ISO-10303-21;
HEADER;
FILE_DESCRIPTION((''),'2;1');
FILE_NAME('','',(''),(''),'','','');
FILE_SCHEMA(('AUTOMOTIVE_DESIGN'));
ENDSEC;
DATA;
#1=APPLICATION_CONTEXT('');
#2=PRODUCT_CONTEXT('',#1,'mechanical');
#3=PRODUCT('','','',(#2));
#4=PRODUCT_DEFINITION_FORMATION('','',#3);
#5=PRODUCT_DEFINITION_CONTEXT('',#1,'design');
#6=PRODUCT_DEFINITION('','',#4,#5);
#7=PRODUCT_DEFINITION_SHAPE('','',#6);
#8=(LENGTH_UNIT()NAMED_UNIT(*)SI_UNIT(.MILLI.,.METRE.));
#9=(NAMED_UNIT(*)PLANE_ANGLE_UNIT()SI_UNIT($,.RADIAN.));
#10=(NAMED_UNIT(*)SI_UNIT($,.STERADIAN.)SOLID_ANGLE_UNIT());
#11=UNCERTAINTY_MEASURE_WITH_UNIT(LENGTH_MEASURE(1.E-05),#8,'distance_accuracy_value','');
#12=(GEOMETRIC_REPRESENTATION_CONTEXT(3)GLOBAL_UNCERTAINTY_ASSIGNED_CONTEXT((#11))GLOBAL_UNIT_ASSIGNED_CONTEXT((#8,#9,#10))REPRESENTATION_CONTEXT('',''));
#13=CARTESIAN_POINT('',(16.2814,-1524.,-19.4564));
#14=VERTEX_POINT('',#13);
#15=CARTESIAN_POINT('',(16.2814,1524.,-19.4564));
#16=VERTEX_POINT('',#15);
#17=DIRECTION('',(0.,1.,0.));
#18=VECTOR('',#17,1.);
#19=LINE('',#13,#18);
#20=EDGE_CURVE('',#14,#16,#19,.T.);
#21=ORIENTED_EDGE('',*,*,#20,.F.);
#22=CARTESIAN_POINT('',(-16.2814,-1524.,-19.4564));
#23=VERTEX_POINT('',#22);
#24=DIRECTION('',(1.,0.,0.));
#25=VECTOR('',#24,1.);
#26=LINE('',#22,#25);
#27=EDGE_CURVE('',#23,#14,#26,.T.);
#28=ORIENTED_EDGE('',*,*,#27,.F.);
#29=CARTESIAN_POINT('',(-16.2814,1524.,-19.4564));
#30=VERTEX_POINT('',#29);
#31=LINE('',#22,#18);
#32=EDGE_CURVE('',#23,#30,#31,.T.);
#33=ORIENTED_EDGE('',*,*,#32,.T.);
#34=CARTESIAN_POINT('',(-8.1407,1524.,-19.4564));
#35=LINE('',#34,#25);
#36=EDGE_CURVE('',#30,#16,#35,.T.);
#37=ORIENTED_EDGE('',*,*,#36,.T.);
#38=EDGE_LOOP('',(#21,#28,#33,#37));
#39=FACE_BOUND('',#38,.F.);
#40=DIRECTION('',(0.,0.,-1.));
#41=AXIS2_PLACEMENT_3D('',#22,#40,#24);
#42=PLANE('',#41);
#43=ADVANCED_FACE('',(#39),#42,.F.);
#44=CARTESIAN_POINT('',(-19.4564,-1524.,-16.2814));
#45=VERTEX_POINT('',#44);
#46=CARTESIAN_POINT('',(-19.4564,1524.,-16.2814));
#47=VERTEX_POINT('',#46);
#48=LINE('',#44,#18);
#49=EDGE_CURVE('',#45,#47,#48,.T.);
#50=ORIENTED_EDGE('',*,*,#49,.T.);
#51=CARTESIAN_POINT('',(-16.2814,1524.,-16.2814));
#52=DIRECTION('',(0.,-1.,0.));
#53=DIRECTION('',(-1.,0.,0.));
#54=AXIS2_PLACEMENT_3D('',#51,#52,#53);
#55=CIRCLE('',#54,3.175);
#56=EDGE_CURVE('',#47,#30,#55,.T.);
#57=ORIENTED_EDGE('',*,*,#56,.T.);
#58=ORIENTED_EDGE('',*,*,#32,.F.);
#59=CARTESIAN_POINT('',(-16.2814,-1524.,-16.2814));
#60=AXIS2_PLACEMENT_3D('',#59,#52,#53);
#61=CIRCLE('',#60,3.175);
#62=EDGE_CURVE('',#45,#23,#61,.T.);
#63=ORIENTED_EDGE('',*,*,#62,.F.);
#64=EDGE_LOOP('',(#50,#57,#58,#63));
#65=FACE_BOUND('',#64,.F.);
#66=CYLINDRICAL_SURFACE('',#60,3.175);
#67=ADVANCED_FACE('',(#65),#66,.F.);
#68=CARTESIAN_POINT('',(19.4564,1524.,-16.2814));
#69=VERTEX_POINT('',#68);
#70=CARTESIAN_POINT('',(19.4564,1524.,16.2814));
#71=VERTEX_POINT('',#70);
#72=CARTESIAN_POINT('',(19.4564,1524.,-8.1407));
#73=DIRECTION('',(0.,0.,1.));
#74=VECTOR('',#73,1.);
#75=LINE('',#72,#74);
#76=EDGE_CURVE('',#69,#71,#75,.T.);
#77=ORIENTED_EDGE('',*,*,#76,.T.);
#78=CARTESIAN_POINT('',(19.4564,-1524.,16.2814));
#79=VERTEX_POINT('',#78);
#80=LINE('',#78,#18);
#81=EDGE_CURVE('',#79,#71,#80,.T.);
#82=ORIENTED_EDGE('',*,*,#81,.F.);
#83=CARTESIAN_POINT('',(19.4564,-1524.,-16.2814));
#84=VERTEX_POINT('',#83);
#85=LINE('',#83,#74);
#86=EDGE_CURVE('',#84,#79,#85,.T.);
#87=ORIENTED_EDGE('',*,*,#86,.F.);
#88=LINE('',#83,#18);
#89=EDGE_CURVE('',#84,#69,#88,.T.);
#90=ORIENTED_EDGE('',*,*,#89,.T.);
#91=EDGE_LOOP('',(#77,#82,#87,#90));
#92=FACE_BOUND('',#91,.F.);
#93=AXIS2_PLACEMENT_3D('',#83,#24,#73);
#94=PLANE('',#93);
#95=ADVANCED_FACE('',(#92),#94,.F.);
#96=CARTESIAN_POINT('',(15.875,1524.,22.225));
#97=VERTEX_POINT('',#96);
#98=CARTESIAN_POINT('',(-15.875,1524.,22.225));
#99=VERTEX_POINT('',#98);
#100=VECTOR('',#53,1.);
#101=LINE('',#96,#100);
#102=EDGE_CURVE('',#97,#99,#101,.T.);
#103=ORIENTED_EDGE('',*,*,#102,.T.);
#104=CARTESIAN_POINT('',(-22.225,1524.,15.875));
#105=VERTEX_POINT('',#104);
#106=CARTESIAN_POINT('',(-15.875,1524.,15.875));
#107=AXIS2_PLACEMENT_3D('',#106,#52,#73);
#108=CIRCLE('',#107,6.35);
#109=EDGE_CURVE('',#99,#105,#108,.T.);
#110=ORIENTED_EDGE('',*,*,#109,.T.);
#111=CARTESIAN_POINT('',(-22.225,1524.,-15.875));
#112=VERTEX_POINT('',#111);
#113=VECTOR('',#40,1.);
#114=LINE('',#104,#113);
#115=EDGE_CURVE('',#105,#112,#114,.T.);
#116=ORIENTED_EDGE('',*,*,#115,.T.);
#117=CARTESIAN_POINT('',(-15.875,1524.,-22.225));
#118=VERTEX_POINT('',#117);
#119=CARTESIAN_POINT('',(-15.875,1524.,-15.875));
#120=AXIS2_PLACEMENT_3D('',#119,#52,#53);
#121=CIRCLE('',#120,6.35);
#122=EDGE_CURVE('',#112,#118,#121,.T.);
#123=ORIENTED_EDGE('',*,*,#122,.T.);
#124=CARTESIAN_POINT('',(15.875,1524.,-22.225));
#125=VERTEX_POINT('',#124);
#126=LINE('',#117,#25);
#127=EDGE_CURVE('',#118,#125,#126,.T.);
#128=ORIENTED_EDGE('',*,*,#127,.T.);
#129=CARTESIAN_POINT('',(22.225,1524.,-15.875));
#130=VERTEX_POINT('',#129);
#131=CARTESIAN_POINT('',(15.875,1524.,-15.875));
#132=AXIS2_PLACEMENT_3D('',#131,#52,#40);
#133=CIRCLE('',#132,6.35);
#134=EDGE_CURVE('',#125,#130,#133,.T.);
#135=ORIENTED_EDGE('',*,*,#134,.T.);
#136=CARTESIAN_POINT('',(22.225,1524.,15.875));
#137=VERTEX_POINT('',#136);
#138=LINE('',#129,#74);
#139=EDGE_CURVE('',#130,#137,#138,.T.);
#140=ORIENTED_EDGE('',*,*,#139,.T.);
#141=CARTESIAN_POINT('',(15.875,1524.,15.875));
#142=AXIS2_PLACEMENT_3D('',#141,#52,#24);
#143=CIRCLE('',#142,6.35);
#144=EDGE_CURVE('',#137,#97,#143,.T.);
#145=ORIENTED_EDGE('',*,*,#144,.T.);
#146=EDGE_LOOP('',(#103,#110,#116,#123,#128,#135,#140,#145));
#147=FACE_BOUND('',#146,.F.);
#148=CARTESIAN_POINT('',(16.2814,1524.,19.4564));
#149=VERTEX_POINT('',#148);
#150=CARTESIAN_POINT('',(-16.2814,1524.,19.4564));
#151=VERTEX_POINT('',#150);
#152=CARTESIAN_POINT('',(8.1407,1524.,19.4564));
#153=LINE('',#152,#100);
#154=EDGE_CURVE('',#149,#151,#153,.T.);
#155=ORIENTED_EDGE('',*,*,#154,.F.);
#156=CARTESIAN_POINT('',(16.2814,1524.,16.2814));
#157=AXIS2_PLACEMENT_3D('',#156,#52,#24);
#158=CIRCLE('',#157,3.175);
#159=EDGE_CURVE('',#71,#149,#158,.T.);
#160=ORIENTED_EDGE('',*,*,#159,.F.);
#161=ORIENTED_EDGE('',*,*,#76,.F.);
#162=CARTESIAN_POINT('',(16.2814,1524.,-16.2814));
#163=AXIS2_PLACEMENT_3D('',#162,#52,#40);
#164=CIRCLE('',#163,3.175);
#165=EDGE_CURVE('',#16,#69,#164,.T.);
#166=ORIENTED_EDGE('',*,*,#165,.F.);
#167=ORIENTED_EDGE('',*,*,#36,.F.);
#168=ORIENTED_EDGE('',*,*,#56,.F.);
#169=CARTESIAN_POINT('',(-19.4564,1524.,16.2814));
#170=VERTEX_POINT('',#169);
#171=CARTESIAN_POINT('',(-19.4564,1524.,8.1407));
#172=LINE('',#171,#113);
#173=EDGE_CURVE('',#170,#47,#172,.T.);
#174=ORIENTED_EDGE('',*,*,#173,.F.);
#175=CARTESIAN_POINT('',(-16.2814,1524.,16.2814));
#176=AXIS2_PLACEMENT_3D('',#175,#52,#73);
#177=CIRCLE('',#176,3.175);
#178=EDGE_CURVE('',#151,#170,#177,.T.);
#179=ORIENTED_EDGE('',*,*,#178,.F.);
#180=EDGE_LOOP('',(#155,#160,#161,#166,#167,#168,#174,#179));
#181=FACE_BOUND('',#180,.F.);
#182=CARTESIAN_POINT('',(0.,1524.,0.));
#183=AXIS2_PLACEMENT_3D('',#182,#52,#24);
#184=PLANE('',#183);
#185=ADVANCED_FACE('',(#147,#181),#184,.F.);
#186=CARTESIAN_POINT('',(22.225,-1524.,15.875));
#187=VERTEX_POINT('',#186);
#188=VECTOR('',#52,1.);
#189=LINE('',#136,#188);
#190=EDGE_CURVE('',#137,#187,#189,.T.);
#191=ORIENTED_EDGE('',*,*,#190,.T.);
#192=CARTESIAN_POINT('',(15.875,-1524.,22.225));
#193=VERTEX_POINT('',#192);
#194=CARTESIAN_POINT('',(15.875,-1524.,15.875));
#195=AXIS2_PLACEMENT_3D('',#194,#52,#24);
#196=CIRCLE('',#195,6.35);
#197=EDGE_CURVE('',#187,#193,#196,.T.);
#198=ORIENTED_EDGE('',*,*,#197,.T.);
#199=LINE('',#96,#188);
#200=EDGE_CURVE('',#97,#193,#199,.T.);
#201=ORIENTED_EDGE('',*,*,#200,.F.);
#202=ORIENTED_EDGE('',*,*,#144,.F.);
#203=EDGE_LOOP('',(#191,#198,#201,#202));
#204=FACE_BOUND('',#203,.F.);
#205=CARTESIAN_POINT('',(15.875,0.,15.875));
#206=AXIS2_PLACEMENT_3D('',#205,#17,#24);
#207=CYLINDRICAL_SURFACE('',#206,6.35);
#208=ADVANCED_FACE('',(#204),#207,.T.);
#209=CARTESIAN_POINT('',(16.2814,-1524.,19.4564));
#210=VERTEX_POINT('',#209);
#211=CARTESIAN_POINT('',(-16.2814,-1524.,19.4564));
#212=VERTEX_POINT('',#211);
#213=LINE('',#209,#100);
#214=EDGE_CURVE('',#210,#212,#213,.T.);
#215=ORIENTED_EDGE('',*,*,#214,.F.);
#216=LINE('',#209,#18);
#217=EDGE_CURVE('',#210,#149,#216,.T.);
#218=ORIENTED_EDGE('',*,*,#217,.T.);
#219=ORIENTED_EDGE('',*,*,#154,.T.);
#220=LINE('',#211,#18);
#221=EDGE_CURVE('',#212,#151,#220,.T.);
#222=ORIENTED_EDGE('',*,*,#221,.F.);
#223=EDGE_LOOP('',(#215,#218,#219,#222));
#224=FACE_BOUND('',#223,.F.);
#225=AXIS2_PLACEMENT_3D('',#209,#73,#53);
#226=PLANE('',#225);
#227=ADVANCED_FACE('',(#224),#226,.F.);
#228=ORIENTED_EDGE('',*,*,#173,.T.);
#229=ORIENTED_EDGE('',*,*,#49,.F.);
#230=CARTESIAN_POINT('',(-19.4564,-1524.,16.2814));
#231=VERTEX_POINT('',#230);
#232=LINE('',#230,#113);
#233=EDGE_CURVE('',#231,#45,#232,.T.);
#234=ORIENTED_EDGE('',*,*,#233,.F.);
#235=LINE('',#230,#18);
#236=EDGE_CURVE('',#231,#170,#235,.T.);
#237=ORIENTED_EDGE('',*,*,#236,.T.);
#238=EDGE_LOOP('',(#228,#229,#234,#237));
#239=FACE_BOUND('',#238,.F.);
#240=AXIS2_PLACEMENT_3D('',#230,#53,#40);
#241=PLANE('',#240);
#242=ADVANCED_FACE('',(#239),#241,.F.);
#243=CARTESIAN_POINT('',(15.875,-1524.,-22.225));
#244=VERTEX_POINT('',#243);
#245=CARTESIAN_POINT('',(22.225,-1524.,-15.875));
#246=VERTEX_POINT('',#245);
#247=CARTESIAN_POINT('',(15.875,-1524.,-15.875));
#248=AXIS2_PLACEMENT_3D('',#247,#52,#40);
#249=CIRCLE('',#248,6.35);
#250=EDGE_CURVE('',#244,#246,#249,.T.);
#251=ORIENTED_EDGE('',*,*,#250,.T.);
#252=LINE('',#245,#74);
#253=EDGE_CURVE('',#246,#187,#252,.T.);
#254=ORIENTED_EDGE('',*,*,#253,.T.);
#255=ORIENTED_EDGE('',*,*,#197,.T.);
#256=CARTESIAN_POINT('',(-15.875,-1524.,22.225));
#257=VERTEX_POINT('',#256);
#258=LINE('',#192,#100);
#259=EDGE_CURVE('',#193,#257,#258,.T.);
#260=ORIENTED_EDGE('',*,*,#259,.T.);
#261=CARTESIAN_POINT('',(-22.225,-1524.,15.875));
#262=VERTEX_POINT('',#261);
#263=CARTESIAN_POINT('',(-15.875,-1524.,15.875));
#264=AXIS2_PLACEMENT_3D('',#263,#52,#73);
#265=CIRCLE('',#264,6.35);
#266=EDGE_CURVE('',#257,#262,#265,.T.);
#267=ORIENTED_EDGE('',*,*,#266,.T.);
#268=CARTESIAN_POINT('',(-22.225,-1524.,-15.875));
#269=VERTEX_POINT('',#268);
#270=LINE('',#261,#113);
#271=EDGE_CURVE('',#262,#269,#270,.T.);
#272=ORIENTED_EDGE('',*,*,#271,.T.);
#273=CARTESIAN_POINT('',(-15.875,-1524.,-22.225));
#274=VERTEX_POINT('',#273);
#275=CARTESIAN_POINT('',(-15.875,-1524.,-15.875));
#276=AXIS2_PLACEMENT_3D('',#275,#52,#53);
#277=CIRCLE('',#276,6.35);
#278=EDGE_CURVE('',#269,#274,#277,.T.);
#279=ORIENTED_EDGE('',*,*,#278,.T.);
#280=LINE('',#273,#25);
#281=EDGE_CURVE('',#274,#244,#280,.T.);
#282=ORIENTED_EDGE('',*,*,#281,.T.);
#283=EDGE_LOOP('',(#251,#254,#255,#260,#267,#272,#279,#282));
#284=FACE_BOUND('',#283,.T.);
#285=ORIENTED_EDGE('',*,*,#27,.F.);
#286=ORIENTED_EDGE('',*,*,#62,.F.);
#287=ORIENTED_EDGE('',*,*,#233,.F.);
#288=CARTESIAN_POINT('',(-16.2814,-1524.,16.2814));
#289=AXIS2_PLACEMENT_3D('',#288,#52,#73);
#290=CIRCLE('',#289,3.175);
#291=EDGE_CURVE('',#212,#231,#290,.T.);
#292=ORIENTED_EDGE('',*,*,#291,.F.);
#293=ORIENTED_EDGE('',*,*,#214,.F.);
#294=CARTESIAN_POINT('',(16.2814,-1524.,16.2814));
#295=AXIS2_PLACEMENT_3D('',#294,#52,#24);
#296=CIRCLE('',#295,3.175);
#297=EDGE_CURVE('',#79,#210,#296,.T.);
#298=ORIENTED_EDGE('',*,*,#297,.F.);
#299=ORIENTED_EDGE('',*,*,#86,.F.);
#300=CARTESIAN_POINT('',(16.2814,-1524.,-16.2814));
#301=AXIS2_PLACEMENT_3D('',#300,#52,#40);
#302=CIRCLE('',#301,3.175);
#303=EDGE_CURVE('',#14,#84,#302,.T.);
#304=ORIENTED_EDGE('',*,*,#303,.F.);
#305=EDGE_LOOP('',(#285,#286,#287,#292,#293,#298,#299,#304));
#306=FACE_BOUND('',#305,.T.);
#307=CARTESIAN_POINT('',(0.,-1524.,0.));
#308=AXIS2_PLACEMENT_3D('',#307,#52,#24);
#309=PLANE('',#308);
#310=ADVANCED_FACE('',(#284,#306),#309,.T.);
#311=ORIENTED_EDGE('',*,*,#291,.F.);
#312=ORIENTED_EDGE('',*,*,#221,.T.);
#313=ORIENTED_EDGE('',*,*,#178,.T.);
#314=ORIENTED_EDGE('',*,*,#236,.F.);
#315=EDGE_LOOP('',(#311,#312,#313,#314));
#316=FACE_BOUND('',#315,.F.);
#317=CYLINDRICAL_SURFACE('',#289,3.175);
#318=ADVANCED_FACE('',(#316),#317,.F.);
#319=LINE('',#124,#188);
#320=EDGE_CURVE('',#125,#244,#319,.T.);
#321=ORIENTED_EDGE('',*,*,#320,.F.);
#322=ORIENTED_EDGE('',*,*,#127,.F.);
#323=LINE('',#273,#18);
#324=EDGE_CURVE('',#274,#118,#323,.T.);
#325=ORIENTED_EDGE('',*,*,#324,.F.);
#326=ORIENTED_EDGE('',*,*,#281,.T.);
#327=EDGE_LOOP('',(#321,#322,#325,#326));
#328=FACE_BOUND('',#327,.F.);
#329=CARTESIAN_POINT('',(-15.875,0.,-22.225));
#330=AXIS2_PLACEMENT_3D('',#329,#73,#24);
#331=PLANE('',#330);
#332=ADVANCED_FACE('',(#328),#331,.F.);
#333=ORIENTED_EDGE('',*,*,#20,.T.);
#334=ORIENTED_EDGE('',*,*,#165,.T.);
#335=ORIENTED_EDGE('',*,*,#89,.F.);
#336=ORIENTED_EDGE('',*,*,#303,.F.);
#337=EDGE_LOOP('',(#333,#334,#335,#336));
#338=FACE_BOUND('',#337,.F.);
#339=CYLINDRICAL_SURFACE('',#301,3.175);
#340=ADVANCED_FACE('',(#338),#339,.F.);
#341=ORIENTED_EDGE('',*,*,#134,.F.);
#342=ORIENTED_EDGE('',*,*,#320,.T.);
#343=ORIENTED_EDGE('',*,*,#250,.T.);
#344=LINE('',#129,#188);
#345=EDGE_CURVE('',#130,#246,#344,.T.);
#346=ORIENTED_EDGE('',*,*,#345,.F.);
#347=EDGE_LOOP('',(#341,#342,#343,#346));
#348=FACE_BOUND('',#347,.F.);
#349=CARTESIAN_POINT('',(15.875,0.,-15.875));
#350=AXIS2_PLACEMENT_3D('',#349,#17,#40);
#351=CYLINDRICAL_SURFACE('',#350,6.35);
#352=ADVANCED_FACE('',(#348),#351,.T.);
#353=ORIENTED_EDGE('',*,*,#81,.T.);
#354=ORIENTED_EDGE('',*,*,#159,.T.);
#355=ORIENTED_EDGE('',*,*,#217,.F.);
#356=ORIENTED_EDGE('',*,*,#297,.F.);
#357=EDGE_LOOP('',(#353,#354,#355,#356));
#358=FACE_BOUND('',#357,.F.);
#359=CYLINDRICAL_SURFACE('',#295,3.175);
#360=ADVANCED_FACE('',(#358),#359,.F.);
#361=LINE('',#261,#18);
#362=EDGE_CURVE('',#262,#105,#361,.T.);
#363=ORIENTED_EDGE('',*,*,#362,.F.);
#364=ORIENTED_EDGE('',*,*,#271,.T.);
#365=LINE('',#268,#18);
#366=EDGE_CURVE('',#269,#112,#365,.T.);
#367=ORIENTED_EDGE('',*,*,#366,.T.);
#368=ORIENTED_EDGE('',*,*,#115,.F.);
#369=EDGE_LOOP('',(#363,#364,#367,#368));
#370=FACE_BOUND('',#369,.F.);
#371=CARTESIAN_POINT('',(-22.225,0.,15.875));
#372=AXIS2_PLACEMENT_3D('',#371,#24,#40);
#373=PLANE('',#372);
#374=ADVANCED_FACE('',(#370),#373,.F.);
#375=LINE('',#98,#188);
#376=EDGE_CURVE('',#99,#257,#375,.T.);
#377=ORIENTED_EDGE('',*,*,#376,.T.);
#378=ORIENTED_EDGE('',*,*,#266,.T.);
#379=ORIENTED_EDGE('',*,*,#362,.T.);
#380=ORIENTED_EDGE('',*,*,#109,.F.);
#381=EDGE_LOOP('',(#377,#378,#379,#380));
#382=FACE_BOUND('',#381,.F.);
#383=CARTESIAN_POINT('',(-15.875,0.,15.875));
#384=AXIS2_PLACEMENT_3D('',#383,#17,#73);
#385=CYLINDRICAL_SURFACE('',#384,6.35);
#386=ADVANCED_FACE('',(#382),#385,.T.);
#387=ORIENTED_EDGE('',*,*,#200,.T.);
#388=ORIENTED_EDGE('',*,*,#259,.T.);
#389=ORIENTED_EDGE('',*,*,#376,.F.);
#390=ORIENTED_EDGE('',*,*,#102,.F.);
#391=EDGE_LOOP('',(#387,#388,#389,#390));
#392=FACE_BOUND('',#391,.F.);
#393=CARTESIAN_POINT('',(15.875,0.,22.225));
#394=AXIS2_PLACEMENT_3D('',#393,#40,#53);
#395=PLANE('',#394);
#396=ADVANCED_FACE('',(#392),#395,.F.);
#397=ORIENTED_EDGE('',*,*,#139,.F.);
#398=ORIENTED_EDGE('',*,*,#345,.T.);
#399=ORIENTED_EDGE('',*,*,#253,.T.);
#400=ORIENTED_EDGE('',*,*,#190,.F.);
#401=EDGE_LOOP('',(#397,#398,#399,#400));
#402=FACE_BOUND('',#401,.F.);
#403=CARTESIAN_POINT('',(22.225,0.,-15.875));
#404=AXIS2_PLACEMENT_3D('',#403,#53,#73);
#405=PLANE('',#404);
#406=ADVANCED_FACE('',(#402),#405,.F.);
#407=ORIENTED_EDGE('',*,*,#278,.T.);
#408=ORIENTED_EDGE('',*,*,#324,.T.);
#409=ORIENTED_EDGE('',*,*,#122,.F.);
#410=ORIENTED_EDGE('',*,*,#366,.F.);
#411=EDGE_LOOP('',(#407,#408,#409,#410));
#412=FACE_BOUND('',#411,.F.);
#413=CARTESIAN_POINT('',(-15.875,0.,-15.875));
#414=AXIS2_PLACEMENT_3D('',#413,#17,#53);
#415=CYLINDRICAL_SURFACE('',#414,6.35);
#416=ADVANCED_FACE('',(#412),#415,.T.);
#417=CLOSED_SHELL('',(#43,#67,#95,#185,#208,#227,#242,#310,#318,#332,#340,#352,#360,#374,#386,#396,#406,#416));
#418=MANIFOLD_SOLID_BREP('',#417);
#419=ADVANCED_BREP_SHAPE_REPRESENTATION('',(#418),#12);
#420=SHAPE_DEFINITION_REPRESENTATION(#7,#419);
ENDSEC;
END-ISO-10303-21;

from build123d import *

# Parameters (mm, degrees)
F1_DEPTH      = 1524
F1_DEPTH_BACK = 1524
F3_DEPTH      = 3048.001


with BuildPart() as f1:
    # F0 (on Front) → F1 (new body, two sides)
    with BuildSketch(Plane.XZ) as f1_sk:
        with BuildLine():
            Line((-15.875, -22.225), (15.875, -22.225))
            ThreePointArc((15.875, -22.225), (20.3651280605, -20.3651280605), (22.225, -15.875))
            Line((22.225, -15.875), (22.225, 15.875))
            ThreePointArc((22.225, 15.875), (20.3651280605, 20.3651280605), (15.875, 22.225))
            Line((15.875, 22.225), (-15.875, 22.225))
            ThreePointArc((-15.875, 22.225), (-20.3651280605, 20.3651280605), (-22.225, 15.875))
            Line((-22.225, 15.875), (-22.225, -15.875))
            ThreePointArc((-22.225, -15.875), (-20.3651280605, -20.3651280605), (-15.875, -22.225))
        make_face()
    extrude(amount=-F1_DEPTH)
    extrude(f1_sk.sketch, amount=F1_DEPTH_BACK)

    # F2 (on face) → F3 (cut, through all)
    with BuildSketch(Plane.XZ.offset(1524)):
        with BuildLine():
            Line((-16.2814, -19.4564), (16.2814, -19.4564))
            ThreePointArc((16.2814, -19.4564), (18.5264640303, -18.5264640303), (19.4564, -16.2814))
            Line((19.4564, -16.2814), (19.4564, 16.2814))
            ThreePointArc((19.4564, 16.2814), (18.5264640303, 18.5264640303), (16.2814, 19.4564))
            Line((16.2814, 19.4564), (-16.2814, 19.4564))
            ThreePointArc((-16.2814, 19.4564), (-18.5264640303, 18.5264640303), (-19.4564, 16.2814))
            Line((-19.4564, 16.2814), (-19.4564, -16.2814))
            ThreePointArc((-19.4564, -16.2814), (-18.5264640303, -18.5264640303), (-16.2814, -19.4564))
        make_face()
    extrude(amount=-F3_DEPTH, mode=Mode.SUBTRACT)


solid = f1.part
